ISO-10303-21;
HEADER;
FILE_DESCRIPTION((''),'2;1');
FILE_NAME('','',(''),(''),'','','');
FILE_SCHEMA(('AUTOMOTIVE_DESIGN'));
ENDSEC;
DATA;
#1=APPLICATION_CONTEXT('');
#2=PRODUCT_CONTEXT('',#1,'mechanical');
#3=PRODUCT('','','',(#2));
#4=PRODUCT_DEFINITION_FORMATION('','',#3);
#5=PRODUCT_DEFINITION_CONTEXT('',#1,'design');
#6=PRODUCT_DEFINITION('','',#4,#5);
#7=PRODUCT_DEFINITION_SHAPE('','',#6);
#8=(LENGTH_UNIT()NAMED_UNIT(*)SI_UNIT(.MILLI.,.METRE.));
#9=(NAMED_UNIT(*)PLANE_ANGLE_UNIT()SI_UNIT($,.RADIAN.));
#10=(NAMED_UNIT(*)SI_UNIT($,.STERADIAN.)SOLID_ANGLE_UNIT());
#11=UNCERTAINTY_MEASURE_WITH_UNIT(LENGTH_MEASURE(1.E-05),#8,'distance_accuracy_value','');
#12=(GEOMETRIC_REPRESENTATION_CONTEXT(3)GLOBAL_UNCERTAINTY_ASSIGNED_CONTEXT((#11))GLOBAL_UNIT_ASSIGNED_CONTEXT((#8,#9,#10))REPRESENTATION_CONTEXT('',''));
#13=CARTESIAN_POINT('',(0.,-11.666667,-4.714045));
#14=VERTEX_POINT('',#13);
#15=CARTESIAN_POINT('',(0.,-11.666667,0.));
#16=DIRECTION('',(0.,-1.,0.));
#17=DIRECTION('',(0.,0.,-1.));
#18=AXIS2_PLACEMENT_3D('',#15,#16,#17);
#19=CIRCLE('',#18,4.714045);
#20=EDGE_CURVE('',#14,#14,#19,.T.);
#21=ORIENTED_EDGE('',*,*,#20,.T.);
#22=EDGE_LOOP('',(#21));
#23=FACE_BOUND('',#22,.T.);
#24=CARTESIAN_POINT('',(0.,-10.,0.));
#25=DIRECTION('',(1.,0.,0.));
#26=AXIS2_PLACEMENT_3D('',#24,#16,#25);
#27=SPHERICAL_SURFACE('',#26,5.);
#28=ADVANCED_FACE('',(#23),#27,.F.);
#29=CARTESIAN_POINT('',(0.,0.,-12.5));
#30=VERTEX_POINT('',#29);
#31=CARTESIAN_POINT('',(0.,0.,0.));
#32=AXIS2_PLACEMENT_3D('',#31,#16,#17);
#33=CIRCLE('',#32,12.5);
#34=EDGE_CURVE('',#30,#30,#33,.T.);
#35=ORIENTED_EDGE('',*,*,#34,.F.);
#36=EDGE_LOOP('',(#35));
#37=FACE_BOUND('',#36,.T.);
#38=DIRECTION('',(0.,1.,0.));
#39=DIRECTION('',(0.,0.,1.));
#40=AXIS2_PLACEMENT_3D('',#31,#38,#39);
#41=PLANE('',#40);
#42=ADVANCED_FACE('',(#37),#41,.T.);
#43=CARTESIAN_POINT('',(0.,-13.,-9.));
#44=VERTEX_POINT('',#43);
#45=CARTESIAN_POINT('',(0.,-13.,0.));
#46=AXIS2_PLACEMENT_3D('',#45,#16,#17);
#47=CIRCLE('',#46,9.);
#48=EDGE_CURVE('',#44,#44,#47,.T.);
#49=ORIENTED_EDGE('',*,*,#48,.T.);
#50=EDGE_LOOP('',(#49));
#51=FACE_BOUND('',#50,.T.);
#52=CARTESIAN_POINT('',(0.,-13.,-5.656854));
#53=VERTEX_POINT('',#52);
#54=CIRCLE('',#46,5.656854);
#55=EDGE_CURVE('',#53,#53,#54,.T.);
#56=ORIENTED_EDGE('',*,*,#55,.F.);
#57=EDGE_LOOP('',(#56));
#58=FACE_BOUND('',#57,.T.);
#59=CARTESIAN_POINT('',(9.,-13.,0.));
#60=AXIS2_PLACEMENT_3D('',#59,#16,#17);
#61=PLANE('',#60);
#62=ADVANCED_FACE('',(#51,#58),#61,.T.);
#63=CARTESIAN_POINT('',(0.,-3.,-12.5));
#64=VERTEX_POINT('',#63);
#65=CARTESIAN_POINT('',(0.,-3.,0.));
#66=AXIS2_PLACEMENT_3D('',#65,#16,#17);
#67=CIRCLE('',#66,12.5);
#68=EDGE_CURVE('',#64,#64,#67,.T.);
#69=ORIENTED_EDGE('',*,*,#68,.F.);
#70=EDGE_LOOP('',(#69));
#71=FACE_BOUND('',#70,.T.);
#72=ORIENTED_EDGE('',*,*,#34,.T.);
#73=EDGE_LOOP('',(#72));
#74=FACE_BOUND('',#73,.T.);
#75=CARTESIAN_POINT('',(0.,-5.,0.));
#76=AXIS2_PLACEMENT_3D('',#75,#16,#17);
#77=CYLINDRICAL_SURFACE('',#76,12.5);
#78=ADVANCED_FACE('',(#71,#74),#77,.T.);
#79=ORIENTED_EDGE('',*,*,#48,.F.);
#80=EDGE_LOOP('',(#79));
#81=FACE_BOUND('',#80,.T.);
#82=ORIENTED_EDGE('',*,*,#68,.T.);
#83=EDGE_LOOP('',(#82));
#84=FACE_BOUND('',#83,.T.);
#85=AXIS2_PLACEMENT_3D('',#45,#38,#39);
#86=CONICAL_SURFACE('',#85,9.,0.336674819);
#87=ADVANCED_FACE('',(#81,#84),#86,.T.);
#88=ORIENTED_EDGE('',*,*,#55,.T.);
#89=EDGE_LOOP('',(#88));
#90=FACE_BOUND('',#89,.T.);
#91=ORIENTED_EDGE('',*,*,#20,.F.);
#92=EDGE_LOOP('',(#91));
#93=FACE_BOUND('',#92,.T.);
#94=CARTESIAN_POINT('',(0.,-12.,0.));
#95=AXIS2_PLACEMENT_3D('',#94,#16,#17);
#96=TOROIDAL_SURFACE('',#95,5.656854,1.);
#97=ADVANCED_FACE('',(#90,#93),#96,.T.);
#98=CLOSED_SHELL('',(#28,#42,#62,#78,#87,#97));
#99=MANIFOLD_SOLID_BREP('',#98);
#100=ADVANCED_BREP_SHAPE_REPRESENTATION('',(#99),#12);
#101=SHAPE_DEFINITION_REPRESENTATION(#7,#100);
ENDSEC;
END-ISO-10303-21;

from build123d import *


with BuildPart() as part:
    # Sketch1 → Revolve1 (revolve)
    with BuildSketch(Plane.XY, mode=Mode.PRIVATE) as revolve1_sk:
        with BuildLine():
            Line((0, 0), (12.5, 0))
            Line((12.5, 0), (12.5, -3))
            Line((12.5, -3), (9, -13))
            Line((9, -13), (5.656854249, -13))
            ThreePointArc((5.656854249, -13), (4.840357669, -12.577350269), (4.714045208, -11.666666667))
            ThreePointArc((4.714045208, -11.666666667), (4.082482905, -7.113248654), (0, -5))
            Line((0, -5), (0, 0))
        make_face()
    revolve(revolve1_sk.sketch.rotate(Axis((0, -5, 0), (0, 1, 0)), 90), axis=Axis((0, -5, 0), (0, 1, 0)))


solid = part.part
